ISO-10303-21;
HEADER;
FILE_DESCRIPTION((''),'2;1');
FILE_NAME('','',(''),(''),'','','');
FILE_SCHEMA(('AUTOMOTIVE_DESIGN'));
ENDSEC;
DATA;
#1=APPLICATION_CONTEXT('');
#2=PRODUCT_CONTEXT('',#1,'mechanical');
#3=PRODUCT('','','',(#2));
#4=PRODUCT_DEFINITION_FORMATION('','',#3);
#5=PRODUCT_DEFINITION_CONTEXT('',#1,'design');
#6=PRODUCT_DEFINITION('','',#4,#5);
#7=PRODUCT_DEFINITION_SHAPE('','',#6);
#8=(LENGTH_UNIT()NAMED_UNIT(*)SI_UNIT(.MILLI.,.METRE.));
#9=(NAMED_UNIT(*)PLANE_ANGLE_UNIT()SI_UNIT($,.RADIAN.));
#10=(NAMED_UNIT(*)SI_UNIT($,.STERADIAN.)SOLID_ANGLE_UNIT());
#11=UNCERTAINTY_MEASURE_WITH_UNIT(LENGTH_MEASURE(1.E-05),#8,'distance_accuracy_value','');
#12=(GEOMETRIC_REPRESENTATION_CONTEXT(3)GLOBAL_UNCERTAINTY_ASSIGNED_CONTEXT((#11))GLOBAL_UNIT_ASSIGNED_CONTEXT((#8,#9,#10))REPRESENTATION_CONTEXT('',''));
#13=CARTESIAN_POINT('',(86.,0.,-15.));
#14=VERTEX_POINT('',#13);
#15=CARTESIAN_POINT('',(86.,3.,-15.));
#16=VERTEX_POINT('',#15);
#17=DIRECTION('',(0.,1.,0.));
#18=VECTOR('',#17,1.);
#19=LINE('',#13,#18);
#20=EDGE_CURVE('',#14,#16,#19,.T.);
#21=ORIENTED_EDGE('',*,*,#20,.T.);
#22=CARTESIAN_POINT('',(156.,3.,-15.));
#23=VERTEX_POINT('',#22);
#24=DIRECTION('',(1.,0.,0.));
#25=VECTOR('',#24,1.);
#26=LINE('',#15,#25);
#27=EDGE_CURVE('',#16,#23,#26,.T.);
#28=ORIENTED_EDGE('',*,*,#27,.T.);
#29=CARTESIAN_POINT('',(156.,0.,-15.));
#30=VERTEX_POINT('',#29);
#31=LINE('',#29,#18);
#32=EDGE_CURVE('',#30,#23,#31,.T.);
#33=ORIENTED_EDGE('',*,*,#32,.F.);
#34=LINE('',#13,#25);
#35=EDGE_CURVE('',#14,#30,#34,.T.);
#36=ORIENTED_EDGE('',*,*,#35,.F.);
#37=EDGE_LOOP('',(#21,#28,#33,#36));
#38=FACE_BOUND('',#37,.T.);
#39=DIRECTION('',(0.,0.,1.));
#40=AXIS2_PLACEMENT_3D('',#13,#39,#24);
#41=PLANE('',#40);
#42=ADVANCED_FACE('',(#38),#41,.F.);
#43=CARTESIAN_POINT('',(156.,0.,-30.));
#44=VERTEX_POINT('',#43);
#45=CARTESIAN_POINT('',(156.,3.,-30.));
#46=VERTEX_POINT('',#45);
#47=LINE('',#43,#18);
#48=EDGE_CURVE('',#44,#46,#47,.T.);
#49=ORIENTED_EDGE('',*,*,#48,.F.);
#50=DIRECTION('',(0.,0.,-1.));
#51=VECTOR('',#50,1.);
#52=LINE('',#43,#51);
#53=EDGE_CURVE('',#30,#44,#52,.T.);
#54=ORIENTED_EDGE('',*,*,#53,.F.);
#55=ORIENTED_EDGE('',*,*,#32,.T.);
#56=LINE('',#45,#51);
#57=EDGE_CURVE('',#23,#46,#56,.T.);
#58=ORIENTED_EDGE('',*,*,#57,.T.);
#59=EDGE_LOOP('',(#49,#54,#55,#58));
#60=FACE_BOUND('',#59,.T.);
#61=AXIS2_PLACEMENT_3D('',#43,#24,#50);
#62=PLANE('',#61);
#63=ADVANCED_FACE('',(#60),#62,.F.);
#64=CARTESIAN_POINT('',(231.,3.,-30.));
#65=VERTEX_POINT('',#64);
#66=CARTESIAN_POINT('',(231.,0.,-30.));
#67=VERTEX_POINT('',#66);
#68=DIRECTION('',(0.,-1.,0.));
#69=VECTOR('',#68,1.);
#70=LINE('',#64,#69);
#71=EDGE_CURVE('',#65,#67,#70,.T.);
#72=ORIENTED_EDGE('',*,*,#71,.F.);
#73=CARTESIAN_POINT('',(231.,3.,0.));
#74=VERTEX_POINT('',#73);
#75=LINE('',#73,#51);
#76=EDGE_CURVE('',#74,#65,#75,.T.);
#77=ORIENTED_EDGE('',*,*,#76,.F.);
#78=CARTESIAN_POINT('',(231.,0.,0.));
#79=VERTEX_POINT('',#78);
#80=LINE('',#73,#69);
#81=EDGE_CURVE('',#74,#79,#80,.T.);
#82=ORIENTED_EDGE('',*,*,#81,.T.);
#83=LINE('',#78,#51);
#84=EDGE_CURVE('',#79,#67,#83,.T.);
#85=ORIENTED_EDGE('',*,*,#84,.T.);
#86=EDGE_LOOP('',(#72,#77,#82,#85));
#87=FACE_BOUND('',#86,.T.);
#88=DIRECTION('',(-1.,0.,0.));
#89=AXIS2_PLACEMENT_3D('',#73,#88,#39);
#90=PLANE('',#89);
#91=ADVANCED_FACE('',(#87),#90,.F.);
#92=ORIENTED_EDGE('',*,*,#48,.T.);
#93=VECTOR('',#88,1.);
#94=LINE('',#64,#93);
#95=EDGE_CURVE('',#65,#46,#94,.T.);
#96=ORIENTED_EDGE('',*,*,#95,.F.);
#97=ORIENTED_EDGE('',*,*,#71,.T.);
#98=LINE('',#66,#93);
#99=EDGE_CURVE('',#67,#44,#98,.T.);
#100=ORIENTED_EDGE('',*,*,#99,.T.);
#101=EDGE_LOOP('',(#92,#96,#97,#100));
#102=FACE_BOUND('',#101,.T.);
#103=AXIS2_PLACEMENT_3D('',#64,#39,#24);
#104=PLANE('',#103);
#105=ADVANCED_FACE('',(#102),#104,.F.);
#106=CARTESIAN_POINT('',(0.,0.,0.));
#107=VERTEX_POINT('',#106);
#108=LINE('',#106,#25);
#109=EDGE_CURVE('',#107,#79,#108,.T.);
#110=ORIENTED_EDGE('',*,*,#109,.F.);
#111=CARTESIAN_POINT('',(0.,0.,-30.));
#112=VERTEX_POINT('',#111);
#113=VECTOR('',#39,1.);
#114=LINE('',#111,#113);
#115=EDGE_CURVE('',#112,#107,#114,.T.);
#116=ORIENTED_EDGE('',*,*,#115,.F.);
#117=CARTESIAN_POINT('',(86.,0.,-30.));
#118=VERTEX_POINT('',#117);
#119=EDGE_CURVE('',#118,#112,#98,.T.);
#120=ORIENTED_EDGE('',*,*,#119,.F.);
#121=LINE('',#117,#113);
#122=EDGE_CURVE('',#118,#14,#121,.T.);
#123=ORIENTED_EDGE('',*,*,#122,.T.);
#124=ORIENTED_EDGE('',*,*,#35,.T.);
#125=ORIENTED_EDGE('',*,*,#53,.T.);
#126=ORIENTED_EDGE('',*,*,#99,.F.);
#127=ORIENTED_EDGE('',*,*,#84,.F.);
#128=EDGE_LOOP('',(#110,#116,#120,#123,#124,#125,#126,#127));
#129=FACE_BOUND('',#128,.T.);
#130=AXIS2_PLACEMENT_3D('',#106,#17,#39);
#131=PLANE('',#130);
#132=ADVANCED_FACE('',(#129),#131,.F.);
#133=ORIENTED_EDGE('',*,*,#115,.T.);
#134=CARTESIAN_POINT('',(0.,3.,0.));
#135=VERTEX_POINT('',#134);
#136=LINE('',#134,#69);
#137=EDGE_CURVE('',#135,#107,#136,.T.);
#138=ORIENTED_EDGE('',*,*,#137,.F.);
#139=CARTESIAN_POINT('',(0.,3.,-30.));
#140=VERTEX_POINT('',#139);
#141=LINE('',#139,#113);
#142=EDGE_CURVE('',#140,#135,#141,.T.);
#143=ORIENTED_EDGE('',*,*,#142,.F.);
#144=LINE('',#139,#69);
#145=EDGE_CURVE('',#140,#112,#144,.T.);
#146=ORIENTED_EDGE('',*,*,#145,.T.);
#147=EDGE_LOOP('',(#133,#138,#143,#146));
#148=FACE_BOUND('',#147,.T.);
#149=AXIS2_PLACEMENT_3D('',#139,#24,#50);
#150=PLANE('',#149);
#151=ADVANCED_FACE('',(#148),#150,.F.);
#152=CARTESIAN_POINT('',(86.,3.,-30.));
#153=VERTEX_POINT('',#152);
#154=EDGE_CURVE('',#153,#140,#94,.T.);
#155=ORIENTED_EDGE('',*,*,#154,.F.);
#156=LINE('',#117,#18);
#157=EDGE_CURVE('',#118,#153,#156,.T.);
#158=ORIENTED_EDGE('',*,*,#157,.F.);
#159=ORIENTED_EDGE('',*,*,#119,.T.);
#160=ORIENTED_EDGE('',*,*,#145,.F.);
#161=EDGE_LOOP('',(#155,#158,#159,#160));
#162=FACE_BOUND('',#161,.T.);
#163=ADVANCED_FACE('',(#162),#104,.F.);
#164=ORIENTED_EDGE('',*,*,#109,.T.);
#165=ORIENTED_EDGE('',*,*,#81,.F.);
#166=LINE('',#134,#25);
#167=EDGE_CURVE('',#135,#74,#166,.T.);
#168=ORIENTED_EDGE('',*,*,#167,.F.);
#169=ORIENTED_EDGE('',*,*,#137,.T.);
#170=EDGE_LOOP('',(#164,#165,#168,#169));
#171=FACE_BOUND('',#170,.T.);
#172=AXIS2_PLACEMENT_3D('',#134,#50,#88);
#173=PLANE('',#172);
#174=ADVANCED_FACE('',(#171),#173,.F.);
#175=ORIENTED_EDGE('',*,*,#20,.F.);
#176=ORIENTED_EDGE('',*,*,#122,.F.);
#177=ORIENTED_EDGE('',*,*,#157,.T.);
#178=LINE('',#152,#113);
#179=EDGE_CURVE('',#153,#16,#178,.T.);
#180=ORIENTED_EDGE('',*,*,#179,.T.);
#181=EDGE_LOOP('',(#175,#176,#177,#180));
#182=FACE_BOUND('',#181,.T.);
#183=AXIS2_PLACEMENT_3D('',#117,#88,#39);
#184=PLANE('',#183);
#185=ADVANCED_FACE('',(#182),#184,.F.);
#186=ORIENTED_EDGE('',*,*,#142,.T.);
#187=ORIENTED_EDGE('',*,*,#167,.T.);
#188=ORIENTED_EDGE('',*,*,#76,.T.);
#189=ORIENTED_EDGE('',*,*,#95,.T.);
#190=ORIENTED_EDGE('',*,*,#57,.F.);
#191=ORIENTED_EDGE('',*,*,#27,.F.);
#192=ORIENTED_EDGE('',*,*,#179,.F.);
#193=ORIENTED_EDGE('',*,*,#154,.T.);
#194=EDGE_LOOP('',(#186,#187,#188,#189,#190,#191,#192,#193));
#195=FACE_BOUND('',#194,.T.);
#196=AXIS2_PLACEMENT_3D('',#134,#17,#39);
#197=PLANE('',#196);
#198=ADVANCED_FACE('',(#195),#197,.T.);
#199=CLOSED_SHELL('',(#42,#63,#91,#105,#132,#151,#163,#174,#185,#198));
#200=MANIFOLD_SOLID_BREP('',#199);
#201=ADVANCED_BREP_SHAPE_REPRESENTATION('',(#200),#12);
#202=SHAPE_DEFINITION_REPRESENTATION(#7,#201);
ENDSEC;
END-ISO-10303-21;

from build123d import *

# Parameters (mm, degrees)
SKETCH_1_W          = 231
SKETCH_1_H          = 30
EXTRUDE_1_DEPTH     = 3
SKETCH_2_W          = 70
SKETCH_2_H          = 15
CUT_EXTRUDE_1_DEPTH = 233.9592239


with BuildPart() as part:
    # 草圖1 → 填料-伸長1 (new body)
    with BuildSketch(Plane(origin=(0, 0, 0), x_dir=(1, 0, 0), z_dir=(0, 1, 0))):
        with Locations((115.5, 15)):
            Rectangle(SKETCH_1_W, SKETCH_1_H)
    extrude(amount=EXTRUDE_1_DEPTH)

    # 草圖2 → 除料-伸長1 (cut, through all)
    with BuildSketch(Plane(origin=(0, 3, 0), x_dir=(1, 0, 0), z_dir=(0, 1, 0))):
        with Locations((121, 22.5)):
            Rectangle(SKETCH_2_W, SKETCH_2_H)
    extrude(amount=-CUT_EXTRUDE_1_DEPTH, mode=Mode.SUBTRACT)


solid = part.part
